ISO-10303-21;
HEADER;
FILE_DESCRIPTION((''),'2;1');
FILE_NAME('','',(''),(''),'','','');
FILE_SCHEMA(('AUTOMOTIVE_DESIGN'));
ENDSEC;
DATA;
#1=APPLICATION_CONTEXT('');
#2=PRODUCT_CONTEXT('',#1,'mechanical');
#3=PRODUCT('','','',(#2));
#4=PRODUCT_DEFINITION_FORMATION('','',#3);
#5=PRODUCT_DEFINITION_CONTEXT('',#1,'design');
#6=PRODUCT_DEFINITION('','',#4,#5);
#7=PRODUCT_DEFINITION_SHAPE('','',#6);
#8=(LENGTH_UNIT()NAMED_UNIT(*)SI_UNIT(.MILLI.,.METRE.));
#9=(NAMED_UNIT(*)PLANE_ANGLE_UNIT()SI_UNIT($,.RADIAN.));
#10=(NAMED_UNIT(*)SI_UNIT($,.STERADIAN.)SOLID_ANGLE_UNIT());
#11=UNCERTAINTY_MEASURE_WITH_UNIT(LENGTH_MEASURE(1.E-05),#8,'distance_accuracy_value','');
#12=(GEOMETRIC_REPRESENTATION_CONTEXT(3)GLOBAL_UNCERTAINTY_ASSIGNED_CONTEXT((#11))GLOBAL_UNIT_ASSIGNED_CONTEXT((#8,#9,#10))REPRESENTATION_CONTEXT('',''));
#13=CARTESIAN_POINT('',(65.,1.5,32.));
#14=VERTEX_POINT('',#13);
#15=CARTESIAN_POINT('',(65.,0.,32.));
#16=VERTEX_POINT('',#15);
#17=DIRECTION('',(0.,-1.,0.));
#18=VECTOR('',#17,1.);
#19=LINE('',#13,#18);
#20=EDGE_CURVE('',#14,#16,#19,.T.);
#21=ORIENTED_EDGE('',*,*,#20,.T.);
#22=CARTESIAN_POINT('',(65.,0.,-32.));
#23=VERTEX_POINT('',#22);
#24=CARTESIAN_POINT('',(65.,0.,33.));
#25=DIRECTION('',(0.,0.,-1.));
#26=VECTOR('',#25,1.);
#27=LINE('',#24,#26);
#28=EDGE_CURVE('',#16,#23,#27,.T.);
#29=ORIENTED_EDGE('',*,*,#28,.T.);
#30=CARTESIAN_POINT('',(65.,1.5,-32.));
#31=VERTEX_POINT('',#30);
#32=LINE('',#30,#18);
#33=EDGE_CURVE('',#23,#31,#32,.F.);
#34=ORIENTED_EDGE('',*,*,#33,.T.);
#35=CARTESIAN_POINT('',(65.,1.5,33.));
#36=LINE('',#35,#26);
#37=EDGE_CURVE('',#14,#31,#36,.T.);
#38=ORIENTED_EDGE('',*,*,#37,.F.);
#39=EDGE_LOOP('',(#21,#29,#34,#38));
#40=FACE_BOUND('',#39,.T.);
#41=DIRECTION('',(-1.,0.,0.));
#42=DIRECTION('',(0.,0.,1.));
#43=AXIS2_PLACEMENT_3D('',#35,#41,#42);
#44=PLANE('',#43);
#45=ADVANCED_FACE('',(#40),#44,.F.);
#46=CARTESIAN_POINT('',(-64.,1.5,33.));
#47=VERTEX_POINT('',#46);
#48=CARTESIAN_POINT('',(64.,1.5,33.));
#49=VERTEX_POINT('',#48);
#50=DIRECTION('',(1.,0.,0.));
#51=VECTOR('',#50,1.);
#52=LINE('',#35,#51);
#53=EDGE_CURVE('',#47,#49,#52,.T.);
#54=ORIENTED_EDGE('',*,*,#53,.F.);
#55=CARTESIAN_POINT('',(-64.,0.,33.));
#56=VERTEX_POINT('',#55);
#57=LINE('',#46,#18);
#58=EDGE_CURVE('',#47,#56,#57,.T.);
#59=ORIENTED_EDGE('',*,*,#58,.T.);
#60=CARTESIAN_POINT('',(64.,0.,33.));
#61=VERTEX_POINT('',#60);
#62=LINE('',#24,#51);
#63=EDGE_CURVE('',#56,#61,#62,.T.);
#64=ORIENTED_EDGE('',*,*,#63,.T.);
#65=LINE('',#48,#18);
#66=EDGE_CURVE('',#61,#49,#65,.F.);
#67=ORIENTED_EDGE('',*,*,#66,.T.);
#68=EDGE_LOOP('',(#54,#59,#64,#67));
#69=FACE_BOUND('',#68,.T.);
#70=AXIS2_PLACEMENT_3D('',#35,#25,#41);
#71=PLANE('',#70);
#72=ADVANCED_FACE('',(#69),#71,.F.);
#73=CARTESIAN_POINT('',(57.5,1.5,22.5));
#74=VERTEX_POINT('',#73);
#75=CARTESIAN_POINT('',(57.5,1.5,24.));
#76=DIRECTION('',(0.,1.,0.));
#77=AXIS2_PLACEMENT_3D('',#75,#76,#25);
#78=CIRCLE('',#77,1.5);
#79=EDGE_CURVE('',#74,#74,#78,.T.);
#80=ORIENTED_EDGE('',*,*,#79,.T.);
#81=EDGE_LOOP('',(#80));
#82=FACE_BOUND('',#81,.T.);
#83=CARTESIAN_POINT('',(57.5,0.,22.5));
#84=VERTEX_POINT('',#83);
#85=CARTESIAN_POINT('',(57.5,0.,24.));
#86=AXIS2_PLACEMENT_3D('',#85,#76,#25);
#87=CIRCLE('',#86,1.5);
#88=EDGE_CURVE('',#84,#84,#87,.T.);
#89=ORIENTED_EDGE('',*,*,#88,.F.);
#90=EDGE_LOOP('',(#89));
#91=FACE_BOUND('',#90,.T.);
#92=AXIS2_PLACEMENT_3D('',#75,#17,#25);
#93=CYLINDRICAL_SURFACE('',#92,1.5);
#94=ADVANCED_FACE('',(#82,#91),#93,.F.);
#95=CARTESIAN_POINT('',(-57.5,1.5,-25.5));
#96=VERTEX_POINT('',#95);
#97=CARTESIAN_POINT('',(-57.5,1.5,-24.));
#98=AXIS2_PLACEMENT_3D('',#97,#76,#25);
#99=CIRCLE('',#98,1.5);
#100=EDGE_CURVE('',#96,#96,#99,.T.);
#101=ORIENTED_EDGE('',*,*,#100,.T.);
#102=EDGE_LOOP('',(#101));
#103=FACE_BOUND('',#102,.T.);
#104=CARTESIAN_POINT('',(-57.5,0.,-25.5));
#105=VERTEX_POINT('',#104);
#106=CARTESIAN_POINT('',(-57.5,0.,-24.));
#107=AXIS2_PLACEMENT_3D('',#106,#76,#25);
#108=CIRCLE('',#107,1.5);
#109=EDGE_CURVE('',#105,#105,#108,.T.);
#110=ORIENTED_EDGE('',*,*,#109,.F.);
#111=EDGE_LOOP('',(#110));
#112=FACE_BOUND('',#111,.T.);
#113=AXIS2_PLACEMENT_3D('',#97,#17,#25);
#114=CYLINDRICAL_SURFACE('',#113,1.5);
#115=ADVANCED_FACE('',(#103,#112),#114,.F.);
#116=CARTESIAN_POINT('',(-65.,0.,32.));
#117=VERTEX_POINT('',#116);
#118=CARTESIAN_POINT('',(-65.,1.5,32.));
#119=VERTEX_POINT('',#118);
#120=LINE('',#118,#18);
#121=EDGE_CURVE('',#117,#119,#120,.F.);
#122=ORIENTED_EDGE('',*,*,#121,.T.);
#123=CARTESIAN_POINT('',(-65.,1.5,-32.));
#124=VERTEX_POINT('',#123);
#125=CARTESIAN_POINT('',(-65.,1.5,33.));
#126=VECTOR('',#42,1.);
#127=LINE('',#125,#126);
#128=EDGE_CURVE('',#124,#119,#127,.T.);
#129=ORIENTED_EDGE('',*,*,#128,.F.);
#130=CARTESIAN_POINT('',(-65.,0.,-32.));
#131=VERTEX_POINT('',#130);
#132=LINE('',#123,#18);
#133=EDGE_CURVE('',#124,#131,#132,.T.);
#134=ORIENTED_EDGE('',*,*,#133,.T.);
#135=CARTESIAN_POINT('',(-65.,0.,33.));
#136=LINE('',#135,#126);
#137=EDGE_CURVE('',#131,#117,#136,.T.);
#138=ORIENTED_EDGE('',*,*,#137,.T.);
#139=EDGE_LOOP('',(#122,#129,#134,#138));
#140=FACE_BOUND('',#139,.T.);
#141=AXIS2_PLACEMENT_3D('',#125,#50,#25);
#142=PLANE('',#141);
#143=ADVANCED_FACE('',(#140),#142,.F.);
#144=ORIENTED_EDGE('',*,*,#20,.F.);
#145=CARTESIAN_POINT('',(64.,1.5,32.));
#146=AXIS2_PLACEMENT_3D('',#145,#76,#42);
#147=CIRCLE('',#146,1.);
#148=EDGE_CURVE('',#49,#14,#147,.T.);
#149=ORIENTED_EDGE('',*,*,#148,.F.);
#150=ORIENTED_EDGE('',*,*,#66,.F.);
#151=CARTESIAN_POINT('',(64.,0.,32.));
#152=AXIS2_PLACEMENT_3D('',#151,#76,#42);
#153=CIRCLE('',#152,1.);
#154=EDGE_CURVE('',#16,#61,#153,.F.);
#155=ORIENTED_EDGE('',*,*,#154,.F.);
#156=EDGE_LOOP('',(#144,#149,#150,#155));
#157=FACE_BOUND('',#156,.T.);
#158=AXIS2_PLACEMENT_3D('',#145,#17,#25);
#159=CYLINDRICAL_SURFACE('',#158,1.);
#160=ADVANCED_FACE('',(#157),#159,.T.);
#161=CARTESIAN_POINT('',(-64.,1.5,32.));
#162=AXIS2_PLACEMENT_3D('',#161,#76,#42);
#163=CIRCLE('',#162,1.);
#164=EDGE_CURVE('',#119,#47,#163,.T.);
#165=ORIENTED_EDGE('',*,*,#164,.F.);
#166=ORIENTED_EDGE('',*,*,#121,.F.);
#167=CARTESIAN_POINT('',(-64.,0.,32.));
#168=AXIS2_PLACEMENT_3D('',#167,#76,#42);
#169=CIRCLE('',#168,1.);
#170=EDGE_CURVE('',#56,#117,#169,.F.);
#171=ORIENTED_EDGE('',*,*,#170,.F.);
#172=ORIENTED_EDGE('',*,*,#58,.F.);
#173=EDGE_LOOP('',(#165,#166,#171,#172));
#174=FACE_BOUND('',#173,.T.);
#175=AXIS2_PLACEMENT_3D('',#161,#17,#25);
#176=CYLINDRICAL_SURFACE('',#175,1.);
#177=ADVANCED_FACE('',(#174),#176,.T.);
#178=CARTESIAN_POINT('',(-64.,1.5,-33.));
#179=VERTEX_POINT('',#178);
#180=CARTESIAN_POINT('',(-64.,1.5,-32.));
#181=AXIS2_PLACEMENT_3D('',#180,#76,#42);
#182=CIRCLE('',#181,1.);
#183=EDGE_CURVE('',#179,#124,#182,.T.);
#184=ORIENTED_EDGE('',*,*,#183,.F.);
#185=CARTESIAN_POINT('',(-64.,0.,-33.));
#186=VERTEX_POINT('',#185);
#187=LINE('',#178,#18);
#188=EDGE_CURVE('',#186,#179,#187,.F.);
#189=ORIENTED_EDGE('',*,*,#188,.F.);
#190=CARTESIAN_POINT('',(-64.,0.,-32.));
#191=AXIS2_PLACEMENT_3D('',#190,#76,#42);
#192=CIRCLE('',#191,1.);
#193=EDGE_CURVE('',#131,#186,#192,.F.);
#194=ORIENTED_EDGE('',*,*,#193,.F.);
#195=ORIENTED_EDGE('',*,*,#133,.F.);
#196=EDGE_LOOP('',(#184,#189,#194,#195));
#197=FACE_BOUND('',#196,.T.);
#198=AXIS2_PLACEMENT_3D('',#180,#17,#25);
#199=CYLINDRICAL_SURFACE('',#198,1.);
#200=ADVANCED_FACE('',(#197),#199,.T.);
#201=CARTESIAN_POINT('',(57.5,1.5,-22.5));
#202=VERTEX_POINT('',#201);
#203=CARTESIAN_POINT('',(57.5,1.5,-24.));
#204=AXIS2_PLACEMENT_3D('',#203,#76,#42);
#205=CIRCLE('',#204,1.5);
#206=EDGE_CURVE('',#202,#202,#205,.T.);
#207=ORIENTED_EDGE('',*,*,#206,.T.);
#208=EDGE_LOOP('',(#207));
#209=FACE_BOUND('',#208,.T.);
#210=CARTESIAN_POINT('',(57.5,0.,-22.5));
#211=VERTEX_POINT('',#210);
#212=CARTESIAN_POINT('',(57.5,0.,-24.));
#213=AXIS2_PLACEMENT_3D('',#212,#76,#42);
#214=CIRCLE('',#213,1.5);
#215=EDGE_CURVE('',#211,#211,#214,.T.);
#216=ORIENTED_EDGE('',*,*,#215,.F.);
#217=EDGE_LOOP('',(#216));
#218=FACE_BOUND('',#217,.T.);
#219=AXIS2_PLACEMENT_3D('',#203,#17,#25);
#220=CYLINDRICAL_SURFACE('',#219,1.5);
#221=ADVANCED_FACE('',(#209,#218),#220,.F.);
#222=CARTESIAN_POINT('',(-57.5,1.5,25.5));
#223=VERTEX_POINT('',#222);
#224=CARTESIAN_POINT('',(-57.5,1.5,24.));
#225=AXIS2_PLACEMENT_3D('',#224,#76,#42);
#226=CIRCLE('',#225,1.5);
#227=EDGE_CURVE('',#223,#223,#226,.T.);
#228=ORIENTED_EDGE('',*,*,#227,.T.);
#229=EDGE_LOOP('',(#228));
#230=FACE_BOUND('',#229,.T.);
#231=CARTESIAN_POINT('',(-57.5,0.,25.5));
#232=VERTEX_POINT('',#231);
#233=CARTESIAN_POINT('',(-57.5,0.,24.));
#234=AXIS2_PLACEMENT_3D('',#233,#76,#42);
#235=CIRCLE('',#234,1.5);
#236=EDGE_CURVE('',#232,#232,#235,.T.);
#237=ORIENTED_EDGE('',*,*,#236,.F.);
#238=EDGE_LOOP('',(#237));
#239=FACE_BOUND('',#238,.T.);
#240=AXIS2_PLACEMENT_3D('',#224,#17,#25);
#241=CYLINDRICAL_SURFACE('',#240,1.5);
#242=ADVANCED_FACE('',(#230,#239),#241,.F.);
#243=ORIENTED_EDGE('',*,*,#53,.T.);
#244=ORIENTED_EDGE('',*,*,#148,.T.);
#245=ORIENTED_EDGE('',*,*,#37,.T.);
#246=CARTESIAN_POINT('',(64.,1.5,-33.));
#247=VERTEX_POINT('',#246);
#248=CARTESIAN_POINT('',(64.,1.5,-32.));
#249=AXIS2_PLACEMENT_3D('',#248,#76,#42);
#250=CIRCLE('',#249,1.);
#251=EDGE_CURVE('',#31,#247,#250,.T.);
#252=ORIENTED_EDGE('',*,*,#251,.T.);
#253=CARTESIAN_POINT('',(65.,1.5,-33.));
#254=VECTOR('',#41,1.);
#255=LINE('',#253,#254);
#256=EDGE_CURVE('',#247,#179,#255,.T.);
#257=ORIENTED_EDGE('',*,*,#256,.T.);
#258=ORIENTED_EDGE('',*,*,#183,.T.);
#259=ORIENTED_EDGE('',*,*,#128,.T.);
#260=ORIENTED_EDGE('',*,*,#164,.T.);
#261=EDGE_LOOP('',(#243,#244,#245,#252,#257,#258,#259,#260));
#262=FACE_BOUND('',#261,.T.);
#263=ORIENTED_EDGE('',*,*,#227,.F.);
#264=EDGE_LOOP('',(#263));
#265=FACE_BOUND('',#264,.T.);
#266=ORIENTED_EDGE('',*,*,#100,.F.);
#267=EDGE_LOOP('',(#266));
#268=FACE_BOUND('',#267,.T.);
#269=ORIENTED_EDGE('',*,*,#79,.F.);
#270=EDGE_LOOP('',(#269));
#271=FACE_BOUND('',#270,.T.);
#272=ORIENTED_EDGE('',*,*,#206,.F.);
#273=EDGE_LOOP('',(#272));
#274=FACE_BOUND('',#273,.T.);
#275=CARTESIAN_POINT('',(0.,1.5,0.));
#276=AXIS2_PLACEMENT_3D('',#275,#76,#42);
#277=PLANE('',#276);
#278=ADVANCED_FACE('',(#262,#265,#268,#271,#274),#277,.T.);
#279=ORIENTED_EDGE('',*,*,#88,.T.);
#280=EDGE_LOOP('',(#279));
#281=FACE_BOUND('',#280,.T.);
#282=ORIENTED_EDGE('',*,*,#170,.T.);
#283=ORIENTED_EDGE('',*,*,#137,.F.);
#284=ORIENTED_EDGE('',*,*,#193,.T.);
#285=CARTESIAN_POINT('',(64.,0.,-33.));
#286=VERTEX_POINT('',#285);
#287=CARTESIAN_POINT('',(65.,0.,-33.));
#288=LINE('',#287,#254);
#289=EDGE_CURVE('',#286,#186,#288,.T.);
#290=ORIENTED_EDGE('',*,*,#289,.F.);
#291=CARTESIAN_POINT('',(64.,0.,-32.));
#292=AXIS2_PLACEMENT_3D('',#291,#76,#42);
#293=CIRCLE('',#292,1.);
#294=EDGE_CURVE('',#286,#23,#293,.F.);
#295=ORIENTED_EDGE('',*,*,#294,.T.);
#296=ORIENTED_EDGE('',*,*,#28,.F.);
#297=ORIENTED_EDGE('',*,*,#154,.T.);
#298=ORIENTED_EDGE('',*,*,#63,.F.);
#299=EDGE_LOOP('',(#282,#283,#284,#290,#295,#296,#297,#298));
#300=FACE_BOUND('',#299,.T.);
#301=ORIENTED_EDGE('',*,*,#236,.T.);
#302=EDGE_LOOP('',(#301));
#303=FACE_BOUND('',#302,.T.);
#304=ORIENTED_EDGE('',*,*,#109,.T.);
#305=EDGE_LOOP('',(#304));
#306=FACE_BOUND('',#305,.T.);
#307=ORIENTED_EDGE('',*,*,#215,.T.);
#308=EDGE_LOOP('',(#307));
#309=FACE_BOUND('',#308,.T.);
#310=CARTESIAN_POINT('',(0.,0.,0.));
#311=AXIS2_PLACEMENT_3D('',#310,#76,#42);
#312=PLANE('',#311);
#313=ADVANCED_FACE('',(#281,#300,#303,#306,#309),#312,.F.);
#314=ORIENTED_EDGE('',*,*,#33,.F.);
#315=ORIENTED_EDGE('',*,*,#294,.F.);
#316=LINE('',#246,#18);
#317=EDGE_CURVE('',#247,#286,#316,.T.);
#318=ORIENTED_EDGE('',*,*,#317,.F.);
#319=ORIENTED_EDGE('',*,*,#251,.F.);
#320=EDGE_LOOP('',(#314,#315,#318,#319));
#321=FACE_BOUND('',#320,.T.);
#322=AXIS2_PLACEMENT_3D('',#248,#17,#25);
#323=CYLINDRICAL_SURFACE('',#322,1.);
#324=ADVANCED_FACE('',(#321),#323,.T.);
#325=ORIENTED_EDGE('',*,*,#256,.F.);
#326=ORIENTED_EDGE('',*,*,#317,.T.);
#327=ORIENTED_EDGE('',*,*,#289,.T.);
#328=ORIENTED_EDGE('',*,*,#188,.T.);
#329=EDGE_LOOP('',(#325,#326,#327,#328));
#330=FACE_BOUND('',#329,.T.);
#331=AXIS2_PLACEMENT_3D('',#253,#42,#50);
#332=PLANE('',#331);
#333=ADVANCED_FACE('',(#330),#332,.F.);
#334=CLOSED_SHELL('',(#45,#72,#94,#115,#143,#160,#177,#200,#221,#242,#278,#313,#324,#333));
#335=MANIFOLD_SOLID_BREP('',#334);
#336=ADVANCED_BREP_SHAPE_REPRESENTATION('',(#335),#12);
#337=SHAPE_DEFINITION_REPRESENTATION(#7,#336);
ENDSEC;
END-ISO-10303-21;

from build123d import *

# Parameters (mm, degrees)
ESQUISSE1_W        = 130
ESQUISSE1_H        = 66
ESQUISSE1_R        = 1.5
BOSS_EXTRU_1_DEPTH = 1.5
CONG_1_R           = 1


with BuildPart() as part:
    # Esquisse1 → Boss.-Extru.1 (new body)
    with BuildSketch(Plane(origin=(0, 0, 0), x_dir=(1, 0, 0), z_dir=(0, 1, 0))):
        Rectangle(ESQUISSE1_W, ESQUISSE1_H)
        with Locations(Location((57.5, 24, 0), (0, 0, 270))):
            Circle(ESQUISSE1_R, mode=Mode.SUBTRACT)
        with Locations(Location((-57.5, 24, 0), (0, 0, 90))):
            Circle(ESQUISSE1_R, mode=Mode.SUBTRACT)
        with Locations(Location((-57.5, -24, 0), (0, 0, 270))):
            Circle(ESQUISSE1_R, mode=Mode.SUBTRACT)
        with Locations(Location((57.5, -24, 0), (0, 0, 90))):
            Circle(ESQUISSE1_R, mode=Mode.SUBTRACT)
    extrude(amount=BOSS_EXTRU_1_DEPTH)

    # Congé1
    cong_1_edges = [part.edges().sort_by_distance(p)[0] for p in [
        (-65, 0.75, -33),
        (65, 0.75, -33),
        (65, 0.75, 33),
        (-65, 0.75, 33),
    ]]
    fillet(cong_1_edges, radius=CONG_1_R)


solid = part.part
